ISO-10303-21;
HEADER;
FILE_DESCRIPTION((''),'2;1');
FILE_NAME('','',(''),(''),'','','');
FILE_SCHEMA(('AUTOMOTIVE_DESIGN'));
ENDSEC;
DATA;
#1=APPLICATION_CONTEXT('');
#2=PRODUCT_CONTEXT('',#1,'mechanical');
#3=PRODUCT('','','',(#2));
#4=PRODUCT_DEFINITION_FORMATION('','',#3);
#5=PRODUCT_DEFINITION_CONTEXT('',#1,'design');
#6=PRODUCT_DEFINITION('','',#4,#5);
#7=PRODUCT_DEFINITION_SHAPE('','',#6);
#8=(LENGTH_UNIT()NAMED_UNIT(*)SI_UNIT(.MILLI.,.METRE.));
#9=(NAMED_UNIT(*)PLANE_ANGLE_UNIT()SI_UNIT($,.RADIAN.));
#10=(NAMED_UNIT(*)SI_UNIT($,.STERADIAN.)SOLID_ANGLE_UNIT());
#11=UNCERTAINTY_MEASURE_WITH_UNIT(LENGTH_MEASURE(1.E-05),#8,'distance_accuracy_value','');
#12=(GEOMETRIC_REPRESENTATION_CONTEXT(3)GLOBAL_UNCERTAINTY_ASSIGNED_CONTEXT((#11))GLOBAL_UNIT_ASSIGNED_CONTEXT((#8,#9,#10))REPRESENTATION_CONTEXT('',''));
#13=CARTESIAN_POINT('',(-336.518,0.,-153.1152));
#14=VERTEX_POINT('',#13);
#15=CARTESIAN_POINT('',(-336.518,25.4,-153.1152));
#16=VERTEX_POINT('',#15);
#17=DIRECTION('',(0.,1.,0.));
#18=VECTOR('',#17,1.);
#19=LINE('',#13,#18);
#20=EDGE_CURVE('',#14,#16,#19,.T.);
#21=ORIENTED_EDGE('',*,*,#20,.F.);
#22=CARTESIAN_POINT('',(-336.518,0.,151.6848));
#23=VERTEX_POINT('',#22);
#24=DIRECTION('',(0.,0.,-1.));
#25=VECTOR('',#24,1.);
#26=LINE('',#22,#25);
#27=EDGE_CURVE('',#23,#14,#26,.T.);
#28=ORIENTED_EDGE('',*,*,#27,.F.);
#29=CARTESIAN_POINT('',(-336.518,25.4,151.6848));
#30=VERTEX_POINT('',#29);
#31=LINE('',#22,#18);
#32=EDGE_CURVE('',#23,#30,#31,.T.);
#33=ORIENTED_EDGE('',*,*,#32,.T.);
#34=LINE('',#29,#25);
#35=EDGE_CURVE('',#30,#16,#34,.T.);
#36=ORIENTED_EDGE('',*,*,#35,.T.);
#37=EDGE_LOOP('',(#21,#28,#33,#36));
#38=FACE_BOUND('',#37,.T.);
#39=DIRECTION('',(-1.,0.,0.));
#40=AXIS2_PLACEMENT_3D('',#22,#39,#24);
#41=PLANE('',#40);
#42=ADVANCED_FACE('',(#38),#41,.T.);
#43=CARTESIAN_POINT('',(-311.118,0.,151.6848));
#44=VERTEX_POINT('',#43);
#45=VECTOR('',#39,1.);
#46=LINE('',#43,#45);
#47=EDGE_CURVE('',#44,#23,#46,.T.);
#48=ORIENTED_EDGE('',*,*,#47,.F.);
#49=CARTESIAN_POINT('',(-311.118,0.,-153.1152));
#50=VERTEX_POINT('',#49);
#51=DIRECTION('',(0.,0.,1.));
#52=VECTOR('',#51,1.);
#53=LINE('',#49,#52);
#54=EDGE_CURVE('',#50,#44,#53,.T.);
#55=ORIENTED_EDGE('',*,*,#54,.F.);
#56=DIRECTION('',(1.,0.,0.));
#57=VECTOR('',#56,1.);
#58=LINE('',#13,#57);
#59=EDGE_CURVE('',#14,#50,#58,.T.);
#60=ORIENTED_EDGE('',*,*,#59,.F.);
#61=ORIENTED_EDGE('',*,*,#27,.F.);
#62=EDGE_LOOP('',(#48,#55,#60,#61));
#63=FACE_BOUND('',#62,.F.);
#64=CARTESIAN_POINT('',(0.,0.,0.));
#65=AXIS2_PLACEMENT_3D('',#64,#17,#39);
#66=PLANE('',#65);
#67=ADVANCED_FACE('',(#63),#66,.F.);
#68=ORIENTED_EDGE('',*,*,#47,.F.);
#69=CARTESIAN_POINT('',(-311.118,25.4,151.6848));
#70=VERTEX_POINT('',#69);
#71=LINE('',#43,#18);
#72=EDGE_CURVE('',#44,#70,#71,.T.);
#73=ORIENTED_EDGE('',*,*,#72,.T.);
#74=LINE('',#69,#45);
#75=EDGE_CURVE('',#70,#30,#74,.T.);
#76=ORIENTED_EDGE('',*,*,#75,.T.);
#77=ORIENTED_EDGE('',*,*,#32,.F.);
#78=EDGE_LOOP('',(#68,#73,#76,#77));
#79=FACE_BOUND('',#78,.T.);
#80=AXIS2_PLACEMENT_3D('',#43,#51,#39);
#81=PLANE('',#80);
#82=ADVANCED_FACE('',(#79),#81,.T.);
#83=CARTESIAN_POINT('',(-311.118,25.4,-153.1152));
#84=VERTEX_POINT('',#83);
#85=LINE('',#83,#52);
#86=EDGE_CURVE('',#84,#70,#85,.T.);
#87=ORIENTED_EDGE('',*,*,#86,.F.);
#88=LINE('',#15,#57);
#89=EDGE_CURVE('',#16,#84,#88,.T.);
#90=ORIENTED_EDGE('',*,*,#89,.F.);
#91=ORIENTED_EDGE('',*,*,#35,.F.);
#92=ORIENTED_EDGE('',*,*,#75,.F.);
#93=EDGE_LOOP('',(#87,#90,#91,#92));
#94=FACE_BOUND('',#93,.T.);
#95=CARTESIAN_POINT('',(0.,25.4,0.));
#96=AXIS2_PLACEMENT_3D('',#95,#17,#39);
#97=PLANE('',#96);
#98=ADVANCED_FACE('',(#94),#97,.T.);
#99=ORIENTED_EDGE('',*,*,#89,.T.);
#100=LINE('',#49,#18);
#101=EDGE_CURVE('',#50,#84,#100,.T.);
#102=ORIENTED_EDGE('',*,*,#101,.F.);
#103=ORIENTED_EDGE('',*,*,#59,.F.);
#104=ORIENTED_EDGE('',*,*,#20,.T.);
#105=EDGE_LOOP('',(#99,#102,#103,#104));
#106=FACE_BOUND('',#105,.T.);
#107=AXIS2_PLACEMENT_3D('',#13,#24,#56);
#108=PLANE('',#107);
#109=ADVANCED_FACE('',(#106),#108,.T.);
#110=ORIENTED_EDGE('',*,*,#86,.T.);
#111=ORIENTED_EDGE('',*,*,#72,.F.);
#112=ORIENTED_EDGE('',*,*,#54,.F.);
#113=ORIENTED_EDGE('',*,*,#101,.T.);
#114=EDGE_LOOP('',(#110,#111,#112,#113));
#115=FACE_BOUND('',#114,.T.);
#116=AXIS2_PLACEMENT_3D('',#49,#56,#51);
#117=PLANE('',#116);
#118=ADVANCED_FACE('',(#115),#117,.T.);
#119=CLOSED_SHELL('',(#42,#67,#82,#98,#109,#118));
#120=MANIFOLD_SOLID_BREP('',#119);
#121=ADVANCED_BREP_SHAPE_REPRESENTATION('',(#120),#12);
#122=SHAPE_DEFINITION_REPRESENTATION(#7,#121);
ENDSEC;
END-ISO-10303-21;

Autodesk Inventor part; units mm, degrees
ref_plane "YZ Plane" through (0, 0, 0) normal (1, 0, 0) x (0, 1, 0)
ref_plane "XZ Plane" through (0, 0, 0) normal (0, 1, 0) x (-1, 0, 0)
ref_plane "XY Plane" through (0, 0, 0) normal (0, 0, 1) x (1, 0, 0)
sketch "Sketch1" plane through (0, 0, 0) normal (0, 1, 0) x (-1, 0, 0)
  line L0 (336.518, -153.1152) -> (311.118, -153.1152)
  line L1 (311.118, -153.1152) -> (311.118, 151.6848)
  line L2 (311.118, 151.6848) -> (336.518, 151.6848)
  line L3 (336.518, 151.6848) -> (336.518, -153.1152)
  point P0 (0, 0)
  dimension "d0" = 25.4
  dimension "d1" = 304.8
extrude "Extrusion1" add sketch "Sketch1" along normal blind 25.4
properties part number "HatchArm"
